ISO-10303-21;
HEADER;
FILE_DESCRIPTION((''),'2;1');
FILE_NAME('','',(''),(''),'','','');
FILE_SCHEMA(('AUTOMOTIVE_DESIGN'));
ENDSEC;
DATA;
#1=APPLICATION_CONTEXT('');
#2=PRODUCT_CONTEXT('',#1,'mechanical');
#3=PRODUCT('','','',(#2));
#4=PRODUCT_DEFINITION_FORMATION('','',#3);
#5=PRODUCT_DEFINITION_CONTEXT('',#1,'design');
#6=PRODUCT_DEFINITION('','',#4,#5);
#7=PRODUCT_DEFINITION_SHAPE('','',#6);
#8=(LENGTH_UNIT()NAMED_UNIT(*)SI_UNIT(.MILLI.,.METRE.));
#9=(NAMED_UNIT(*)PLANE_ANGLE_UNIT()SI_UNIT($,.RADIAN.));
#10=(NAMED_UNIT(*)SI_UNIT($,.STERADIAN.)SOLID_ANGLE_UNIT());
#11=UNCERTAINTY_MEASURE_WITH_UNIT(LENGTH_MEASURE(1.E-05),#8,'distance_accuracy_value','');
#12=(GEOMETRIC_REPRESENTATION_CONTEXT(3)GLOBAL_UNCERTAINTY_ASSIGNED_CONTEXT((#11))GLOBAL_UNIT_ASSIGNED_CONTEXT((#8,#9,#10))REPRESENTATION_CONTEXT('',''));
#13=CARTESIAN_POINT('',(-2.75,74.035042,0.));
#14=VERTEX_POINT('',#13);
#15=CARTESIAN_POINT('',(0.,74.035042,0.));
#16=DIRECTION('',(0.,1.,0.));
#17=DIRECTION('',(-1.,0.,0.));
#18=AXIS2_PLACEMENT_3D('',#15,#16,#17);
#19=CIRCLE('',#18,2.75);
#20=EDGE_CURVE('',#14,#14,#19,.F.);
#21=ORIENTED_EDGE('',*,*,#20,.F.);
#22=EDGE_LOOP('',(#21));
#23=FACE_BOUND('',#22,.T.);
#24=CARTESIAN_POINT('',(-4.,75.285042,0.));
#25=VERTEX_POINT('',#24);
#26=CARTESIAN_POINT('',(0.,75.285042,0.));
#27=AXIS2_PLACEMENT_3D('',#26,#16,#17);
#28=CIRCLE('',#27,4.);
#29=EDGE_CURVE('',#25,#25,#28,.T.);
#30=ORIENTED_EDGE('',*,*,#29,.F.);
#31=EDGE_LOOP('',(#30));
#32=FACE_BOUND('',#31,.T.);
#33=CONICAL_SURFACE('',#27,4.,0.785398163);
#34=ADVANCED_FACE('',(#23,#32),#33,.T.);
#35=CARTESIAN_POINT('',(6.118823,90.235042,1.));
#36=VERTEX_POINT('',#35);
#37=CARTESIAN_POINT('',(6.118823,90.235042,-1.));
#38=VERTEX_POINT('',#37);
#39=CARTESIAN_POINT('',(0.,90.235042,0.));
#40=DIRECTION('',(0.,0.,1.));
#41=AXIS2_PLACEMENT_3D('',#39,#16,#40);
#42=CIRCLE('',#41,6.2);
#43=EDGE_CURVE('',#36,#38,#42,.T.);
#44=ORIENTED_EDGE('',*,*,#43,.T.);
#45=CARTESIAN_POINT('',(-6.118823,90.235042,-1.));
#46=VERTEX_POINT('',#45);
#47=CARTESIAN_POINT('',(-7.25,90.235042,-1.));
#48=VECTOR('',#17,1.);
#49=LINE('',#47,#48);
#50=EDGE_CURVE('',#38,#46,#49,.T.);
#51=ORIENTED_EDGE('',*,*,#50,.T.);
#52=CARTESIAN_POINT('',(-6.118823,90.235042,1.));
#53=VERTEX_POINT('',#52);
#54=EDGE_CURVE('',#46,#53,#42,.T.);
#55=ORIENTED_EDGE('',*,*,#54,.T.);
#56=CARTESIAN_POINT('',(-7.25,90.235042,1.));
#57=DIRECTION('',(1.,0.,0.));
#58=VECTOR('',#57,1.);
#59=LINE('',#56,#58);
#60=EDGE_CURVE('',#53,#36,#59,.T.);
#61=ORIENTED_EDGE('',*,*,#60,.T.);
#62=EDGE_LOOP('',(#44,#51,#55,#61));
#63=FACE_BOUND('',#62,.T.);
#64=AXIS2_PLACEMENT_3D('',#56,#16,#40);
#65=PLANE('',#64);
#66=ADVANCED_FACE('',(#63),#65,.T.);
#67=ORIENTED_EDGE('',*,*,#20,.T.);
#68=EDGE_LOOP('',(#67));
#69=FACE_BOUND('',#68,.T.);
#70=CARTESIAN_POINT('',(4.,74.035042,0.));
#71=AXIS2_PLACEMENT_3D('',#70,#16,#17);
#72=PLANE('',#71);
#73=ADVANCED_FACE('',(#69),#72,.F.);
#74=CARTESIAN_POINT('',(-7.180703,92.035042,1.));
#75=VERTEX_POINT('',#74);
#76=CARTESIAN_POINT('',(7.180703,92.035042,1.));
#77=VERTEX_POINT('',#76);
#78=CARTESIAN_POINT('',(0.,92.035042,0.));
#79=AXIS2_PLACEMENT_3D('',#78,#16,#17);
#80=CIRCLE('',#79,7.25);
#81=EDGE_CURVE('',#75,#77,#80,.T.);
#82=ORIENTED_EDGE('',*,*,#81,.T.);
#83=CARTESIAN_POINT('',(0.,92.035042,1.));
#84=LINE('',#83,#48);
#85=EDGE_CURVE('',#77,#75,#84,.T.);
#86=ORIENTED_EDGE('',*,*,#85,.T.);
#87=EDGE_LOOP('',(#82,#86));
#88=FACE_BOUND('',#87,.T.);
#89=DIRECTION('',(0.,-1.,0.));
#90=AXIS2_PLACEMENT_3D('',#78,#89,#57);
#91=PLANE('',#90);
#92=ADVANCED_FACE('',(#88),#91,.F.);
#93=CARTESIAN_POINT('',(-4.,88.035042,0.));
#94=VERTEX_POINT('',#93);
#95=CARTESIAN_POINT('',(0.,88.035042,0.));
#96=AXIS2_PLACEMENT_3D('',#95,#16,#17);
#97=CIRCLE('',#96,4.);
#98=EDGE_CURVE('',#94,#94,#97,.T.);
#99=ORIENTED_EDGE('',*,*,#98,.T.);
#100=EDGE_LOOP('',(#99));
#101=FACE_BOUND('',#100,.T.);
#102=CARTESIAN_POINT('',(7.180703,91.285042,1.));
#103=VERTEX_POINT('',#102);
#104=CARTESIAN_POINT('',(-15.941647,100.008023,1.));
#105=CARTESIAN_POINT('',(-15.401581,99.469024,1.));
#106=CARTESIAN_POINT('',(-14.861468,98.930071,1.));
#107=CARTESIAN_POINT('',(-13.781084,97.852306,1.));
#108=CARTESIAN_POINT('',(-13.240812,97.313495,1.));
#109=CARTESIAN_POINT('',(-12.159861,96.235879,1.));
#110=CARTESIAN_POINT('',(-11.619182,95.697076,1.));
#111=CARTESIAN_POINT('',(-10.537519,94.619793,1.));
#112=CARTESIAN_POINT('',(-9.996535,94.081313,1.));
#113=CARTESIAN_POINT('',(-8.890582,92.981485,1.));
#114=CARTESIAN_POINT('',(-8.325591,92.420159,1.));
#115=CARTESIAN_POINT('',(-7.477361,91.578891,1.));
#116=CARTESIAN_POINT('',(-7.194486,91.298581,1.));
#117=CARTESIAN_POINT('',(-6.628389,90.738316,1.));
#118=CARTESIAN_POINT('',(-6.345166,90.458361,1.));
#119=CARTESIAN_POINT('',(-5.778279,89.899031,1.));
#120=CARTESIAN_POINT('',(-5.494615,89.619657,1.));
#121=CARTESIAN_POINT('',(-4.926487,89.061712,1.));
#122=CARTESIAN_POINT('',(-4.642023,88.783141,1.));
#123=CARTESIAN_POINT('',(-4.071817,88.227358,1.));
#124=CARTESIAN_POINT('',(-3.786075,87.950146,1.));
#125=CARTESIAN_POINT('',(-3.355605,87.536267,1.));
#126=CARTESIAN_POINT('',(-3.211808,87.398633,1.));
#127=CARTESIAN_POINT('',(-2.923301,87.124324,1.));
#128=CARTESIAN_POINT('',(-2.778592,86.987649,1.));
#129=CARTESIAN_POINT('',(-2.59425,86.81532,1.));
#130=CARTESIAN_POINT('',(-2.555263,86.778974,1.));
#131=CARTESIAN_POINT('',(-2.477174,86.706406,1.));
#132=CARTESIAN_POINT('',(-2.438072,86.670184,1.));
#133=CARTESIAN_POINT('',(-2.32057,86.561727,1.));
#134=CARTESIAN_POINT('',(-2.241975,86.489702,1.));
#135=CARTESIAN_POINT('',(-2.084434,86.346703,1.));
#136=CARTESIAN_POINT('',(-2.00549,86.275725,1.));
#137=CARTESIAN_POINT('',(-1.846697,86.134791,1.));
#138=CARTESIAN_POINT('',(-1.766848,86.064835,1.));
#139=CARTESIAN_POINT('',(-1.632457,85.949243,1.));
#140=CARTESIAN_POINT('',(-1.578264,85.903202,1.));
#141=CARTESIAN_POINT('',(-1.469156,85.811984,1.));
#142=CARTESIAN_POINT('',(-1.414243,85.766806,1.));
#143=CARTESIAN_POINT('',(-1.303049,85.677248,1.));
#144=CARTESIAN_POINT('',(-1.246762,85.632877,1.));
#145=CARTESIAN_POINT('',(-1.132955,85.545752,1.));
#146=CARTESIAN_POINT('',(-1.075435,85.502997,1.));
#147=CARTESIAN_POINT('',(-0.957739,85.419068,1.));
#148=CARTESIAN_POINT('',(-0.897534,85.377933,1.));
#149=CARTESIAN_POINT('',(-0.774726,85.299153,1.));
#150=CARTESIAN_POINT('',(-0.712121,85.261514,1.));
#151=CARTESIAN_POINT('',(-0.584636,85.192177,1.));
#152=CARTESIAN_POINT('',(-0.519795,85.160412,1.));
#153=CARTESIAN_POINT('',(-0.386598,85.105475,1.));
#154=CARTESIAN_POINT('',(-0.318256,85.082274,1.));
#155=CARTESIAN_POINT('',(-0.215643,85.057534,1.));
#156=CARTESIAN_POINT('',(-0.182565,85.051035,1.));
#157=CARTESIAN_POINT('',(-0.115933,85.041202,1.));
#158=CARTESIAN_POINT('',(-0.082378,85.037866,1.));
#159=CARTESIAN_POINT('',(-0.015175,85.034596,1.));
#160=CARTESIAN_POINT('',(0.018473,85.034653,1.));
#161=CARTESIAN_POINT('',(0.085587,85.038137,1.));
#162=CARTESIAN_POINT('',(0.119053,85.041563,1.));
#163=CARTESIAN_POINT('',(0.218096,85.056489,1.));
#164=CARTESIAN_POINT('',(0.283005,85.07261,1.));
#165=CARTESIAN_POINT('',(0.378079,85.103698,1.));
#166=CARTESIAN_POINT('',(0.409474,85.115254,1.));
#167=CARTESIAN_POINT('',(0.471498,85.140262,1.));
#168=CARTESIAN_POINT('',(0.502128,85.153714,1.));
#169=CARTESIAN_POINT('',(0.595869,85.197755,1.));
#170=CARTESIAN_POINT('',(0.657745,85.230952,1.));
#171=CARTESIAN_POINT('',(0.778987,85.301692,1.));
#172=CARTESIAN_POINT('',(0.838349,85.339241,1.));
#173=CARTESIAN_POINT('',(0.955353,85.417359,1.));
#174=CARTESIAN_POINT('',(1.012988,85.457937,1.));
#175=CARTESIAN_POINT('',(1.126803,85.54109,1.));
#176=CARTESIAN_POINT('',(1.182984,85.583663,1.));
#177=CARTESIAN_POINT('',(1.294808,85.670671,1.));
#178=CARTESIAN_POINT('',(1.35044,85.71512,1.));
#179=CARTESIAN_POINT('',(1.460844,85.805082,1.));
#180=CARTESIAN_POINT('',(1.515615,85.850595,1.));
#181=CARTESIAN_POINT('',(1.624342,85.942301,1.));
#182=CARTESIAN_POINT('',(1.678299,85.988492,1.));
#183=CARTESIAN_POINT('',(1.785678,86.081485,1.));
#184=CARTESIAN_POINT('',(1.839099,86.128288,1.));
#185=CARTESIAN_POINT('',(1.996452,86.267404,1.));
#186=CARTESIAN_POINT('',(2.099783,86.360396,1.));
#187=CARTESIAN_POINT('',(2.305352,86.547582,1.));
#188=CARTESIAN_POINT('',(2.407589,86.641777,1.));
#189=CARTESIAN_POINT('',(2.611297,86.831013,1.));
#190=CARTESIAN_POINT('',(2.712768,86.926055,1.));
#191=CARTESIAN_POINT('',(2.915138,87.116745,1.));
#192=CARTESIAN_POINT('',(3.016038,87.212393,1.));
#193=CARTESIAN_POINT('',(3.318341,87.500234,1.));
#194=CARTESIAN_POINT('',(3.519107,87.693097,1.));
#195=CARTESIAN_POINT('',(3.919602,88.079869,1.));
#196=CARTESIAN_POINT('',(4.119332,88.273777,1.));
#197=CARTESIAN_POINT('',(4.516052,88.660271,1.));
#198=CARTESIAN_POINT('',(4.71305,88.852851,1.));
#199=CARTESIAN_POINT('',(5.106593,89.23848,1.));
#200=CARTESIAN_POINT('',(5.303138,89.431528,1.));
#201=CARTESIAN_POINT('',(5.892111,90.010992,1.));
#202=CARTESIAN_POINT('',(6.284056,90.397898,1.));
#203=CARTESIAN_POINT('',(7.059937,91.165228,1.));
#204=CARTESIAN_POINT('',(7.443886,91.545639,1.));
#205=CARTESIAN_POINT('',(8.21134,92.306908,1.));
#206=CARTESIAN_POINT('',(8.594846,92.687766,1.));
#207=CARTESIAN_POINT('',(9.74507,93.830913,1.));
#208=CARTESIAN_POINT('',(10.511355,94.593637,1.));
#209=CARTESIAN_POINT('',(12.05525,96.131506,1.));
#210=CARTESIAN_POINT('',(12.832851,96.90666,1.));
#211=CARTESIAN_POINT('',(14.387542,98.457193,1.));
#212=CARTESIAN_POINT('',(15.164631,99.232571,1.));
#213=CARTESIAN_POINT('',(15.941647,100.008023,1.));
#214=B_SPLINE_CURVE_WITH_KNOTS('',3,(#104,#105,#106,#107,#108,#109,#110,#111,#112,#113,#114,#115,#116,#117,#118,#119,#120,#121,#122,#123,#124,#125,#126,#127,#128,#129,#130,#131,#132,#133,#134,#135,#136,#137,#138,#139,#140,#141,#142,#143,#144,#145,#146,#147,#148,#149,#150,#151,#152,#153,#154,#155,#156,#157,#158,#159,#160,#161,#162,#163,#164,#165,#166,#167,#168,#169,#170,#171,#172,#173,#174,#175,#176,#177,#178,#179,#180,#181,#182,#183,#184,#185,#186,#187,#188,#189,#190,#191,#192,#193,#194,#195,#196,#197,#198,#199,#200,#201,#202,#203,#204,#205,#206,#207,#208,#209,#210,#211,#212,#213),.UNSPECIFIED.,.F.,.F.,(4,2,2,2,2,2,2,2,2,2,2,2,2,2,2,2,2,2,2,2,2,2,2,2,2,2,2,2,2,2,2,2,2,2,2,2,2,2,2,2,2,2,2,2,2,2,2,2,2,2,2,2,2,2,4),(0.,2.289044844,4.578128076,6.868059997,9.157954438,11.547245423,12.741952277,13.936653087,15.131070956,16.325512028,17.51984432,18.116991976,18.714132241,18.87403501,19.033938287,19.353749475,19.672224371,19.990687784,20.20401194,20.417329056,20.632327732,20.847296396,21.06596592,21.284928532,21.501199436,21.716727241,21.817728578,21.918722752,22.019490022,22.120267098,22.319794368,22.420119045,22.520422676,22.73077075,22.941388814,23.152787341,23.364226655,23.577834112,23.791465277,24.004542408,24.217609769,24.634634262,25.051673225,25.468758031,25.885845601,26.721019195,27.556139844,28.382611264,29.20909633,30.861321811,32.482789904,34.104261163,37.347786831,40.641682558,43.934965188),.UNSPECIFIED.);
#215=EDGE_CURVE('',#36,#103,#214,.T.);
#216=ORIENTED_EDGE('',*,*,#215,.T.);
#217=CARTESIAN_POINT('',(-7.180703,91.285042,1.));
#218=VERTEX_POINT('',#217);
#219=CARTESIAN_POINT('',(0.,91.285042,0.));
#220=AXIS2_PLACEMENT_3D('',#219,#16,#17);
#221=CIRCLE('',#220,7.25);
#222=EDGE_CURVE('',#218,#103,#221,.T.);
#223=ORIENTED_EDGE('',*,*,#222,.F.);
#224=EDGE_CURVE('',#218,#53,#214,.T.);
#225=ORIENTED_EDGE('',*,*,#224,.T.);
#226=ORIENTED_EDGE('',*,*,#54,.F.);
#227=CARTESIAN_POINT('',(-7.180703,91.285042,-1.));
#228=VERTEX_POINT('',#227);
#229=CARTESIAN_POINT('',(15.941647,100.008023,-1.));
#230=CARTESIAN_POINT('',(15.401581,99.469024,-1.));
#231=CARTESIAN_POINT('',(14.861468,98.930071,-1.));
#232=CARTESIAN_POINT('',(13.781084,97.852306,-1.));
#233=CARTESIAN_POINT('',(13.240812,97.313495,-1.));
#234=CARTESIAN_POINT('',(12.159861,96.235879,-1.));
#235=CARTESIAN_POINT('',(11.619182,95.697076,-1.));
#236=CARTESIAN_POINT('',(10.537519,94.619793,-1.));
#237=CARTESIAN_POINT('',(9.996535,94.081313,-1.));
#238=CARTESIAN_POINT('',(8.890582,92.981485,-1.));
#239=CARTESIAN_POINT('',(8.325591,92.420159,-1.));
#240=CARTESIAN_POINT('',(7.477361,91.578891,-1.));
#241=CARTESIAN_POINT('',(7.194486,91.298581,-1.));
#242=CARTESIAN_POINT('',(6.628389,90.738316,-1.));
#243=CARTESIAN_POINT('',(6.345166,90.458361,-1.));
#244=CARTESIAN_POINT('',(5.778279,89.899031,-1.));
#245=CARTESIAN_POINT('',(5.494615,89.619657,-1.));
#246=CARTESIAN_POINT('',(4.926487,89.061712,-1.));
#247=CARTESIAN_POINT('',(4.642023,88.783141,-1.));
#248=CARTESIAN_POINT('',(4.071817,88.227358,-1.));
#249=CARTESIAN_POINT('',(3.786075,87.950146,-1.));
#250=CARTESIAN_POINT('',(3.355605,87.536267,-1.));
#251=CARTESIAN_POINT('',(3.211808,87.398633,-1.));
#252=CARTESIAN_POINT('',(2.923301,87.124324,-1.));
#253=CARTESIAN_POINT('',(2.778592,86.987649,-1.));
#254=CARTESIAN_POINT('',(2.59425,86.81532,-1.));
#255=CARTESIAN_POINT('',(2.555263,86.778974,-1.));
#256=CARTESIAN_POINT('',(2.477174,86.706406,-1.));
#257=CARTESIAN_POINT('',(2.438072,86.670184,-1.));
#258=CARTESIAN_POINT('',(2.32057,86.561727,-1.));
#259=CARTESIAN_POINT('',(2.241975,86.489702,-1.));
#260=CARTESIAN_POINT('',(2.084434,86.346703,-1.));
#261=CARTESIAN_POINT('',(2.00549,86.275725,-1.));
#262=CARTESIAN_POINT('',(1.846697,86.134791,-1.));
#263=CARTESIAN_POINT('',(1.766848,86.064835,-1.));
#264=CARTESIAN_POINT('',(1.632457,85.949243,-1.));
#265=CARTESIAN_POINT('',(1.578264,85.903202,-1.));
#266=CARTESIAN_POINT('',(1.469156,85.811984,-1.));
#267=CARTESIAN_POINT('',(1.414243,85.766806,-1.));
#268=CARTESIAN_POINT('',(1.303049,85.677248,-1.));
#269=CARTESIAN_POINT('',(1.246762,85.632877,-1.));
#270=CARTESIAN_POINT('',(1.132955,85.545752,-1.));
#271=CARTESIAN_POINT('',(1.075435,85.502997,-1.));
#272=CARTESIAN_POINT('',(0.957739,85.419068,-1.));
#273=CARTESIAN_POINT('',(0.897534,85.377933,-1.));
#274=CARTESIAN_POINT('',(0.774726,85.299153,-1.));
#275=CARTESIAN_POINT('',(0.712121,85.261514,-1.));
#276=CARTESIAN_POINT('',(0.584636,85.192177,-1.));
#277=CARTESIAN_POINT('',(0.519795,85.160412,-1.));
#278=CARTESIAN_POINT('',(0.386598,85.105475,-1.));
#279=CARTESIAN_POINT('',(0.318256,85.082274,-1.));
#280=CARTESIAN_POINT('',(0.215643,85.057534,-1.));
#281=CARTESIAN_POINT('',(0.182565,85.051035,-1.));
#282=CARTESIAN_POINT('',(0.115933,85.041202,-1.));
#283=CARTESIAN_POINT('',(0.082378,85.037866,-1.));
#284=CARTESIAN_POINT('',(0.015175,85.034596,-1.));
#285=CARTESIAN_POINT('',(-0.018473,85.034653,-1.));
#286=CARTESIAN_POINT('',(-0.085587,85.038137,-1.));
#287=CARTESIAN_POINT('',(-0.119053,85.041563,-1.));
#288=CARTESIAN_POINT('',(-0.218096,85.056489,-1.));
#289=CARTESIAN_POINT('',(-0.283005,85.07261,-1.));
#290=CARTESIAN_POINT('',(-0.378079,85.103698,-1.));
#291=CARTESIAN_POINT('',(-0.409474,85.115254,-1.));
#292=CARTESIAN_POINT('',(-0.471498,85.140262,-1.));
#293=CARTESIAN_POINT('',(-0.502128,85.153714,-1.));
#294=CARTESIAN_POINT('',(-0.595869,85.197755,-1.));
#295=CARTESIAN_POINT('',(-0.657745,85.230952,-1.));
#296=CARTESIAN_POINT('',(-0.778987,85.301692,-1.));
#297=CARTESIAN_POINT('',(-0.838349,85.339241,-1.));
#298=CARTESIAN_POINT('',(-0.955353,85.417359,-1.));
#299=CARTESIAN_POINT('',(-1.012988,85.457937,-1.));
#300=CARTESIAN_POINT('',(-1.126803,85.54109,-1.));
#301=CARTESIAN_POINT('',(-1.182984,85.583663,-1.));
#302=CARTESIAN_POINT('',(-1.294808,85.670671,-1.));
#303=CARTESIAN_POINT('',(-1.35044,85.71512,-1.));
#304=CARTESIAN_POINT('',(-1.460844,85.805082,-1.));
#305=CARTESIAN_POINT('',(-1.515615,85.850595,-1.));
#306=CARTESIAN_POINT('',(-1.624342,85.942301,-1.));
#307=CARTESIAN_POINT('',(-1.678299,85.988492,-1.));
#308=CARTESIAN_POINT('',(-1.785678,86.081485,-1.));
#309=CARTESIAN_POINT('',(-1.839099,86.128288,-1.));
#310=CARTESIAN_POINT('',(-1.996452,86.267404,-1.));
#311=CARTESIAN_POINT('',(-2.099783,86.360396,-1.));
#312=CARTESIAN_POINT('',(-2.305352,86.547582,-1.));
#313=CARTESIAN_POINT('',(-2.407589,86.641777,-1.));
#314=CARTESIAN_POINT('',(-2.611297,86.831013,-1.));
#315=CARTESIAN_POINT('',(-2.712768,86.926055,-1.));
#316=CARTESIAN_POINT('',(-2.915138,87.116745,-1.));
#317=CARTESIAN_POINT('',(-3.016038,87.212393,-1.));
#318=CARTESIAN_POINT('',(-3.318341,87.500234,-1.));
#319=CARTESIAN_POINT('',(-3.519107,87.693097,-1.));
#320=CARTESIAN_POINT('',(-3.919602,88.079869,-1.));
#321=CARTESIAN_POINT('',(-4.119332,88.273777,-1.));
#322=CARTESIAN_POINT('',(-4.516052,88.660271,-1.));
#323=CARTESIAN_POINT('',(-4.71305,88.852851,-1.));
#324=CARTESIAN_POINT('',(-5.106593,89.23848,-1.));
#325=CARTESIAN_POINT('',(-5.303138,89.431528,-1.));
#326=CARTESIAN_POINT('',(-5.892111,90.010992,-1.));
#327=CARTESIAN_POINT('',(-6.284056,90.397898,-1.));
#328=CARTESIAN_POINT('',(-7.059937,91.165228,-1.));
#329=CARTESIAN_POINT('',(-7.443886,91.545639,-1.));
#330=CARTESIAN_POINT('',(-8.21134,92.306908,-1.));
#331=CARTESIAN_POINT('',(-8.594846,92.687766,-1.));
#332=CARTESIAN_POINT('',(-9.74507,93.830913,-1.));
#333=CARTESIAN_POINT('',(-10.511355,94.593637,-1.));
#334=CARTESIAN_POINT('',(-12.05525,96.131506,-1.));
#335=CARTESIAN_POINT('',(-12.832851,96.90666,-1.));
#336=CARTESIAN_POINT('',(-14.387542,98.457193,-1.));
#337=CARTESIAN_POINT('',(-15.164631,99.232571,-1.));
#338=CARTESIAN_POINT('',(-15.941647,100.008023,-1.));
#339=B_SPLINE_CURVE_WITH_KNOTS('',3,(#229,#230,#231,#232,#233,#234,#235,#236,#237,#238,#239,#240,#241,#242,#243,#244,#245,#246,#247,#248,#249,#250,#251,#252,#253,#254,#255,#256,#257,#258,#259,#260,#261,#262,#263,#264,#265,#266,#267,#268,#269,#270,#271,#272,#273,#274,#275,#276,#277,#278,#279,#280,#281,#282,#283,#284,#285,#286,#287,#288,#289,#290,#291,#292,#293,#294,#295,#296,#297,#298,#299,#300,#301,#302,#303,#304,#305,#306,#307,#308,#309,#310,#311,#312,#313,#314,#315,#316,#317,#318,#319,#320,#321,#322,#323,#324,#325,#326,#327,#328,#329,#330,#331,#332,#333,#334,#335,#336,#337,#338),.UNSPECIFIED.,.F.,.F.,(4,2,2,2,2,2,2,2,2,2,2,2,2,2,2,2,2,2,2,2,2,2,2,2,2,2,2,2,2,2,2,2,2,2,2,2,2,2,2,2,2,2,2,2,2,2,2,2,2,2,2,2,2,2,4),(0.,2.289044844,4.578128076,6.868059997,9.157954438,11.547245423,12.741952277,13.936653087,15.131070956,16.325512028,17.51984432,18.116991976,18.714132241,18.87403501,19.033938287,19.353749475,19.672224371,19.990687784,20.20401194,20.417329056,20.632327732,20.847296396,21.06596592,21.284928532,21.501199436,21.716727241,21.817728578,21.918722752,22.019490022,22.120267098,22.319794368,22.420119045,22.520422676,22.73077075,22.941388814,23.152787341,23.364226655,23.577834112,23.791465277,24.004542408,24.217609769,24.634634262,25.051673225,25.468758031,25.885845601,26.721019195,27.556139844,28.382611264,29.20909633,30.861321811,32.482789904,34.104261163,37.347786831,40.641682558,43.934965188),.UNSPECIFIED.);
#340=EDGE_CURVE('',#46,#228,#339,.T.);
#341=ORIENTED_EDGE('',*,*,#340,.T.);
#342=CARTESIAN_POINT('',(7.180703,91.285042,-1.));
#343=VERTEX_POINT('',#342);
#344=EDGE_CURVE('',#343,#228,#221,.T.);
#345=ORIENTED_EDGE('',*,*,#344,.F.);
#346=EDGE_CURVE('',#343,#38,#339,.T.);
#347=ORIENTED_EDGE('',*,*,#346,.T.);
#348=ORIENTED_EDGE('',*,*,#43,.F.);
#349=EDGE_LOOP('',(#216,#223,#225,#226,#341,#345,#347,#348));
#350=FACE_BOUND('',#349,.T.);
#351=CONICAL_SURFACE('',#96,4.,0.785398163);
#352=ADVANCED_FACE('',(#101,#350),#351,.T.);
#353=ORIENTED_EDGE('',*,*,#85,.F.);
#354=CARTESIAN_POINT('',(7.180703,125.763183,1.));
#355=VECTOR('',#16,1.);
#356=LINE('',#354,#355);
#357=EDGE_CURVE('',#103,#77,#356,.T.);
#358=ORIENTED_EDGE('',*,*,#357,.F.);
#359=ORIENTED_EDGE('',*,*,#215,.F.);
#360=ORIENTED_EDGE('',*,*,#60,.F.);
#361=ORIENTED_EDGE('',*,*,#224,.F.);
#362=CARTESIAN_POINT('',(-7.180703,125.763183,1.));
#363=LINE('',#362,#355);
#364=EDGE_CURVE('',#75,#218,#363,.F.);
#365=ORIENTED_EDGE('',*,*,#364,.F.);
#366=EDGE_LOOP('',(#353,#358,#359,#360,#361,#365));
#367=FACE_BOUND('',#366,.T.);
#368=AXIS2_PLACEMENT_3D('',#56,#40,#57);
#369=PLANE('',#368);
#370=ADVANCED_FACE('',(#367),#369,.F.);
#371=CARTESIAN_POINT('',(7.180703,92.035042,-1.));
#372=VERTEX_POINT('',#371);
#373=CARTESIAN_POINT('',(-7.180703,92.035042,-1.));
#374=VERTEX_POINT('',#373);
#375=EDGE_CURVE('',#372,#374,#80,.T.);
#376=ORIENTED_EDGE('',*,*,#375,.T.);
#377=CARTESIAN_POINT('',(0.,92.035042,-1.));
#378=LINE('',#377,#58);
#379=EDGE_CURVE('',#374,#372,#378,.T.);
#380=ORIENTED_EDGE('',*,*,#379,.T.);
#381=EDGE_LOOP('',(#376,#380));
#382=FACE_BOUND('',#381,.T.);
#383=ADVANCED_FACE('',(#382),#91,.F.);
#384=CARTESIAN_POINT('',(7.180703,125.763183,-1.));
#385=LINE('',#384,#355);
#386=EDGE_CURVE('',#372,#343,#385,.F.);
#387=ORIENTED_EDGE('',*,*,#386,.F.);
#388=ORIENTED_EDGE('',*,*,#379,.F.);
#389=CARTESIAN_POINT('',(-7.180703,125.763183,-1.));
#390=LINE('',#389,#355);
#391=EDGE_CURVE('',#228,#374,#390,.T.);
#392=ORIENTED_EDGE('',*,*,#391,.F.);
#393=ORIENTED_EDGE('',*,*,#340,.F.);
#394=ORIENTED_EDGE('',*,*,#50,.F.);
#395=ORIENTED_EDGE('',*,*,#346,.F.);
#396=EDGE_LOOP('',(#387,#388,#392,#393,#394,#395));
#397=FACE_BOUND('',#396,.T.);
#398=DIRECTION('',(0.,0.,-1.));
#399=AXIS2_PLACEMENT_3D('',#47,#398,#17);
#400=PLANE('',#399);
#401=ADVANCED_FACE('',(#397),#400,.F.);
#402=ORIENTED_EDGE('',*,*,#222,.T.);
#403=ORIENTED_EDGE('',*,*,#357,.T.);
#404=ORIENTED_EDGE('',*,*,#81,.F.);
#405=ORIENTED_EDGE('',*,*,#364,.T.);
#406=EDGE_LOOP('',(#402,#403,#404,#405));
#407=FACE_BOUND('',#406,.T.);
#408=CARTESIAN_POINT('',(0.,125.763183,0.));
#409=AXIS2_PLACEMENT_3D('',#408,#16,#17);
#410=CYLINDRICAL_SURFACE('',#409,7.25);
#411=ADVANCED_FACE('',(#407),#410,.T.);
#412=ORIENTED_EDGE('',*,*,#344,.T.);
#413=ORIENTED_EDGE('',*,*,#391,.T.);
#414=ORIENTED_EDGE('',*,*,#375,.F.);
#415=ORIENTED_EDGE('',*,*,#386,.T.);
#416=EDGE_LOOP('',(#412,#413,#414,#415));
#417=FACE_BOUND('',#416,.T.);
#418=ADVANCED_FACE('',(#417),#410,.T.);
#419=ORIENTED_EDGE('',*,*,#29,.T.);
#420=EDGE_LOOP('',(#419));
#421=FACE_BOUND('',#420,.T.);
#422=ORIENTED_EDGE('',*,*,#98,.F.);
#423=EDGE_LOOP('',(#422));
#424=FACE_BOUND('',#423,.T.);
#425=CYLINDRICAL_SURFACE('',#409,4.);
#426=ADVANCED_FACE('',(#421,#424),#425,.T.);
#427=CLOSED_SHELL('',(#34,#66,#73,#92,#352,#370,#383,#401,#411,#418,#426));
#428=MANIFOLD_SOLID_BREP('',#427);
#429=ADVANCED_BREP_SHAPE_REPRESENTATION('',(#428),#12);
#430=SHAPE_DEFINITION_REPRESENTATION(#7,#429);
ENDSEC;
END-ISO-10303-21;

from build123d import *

# Parameters (mm, degrees)
SKETCH_13_W         = 14.5
SKETCH_13_H         = 2
CUT_EXTRUDE_9_DEPTH = 1.8
CHAMFER_1_SIZE      = 1.25


with BuildPart() as part:
    # Эскиз1 → Повернуть1 (revolve)
    with BuildSketch(Plane.XY):
        Polygon((0, 92.035042223), (0, 74.035042223), (4, 74.035042223), (4, 88.035042223), (7.25, 91.285042223), (7.25, 92.035042223), align=None)
    revolve(axis=Axis((0, 125.763182898, 0), (0, -1, 0)))

    # Эскиз13 → Вырез-Вытянуть9 (cut)
    with BuildSketch(Plane(origin=(0, 92.035042223, 0), x_dir=(-1, 0, 0), z_dir=(0, 1, 0))):
        Rectangle(SKETCH_13_W, SKETCH_13_H)
    extrude(amount=-CUT_EXTRUDE_9_DEPTH, mode=Mode.SUBTRACT)

    # Фаска1
    chamfer_1_edges = [part.edges().sort_by_distance(p)[0] for p in [
        (-4, 74.035042223, 0),
    ]]
    chamfer(chamfer_1_edges, length=CHAMFER_1_SIZE)


solid = part.part
